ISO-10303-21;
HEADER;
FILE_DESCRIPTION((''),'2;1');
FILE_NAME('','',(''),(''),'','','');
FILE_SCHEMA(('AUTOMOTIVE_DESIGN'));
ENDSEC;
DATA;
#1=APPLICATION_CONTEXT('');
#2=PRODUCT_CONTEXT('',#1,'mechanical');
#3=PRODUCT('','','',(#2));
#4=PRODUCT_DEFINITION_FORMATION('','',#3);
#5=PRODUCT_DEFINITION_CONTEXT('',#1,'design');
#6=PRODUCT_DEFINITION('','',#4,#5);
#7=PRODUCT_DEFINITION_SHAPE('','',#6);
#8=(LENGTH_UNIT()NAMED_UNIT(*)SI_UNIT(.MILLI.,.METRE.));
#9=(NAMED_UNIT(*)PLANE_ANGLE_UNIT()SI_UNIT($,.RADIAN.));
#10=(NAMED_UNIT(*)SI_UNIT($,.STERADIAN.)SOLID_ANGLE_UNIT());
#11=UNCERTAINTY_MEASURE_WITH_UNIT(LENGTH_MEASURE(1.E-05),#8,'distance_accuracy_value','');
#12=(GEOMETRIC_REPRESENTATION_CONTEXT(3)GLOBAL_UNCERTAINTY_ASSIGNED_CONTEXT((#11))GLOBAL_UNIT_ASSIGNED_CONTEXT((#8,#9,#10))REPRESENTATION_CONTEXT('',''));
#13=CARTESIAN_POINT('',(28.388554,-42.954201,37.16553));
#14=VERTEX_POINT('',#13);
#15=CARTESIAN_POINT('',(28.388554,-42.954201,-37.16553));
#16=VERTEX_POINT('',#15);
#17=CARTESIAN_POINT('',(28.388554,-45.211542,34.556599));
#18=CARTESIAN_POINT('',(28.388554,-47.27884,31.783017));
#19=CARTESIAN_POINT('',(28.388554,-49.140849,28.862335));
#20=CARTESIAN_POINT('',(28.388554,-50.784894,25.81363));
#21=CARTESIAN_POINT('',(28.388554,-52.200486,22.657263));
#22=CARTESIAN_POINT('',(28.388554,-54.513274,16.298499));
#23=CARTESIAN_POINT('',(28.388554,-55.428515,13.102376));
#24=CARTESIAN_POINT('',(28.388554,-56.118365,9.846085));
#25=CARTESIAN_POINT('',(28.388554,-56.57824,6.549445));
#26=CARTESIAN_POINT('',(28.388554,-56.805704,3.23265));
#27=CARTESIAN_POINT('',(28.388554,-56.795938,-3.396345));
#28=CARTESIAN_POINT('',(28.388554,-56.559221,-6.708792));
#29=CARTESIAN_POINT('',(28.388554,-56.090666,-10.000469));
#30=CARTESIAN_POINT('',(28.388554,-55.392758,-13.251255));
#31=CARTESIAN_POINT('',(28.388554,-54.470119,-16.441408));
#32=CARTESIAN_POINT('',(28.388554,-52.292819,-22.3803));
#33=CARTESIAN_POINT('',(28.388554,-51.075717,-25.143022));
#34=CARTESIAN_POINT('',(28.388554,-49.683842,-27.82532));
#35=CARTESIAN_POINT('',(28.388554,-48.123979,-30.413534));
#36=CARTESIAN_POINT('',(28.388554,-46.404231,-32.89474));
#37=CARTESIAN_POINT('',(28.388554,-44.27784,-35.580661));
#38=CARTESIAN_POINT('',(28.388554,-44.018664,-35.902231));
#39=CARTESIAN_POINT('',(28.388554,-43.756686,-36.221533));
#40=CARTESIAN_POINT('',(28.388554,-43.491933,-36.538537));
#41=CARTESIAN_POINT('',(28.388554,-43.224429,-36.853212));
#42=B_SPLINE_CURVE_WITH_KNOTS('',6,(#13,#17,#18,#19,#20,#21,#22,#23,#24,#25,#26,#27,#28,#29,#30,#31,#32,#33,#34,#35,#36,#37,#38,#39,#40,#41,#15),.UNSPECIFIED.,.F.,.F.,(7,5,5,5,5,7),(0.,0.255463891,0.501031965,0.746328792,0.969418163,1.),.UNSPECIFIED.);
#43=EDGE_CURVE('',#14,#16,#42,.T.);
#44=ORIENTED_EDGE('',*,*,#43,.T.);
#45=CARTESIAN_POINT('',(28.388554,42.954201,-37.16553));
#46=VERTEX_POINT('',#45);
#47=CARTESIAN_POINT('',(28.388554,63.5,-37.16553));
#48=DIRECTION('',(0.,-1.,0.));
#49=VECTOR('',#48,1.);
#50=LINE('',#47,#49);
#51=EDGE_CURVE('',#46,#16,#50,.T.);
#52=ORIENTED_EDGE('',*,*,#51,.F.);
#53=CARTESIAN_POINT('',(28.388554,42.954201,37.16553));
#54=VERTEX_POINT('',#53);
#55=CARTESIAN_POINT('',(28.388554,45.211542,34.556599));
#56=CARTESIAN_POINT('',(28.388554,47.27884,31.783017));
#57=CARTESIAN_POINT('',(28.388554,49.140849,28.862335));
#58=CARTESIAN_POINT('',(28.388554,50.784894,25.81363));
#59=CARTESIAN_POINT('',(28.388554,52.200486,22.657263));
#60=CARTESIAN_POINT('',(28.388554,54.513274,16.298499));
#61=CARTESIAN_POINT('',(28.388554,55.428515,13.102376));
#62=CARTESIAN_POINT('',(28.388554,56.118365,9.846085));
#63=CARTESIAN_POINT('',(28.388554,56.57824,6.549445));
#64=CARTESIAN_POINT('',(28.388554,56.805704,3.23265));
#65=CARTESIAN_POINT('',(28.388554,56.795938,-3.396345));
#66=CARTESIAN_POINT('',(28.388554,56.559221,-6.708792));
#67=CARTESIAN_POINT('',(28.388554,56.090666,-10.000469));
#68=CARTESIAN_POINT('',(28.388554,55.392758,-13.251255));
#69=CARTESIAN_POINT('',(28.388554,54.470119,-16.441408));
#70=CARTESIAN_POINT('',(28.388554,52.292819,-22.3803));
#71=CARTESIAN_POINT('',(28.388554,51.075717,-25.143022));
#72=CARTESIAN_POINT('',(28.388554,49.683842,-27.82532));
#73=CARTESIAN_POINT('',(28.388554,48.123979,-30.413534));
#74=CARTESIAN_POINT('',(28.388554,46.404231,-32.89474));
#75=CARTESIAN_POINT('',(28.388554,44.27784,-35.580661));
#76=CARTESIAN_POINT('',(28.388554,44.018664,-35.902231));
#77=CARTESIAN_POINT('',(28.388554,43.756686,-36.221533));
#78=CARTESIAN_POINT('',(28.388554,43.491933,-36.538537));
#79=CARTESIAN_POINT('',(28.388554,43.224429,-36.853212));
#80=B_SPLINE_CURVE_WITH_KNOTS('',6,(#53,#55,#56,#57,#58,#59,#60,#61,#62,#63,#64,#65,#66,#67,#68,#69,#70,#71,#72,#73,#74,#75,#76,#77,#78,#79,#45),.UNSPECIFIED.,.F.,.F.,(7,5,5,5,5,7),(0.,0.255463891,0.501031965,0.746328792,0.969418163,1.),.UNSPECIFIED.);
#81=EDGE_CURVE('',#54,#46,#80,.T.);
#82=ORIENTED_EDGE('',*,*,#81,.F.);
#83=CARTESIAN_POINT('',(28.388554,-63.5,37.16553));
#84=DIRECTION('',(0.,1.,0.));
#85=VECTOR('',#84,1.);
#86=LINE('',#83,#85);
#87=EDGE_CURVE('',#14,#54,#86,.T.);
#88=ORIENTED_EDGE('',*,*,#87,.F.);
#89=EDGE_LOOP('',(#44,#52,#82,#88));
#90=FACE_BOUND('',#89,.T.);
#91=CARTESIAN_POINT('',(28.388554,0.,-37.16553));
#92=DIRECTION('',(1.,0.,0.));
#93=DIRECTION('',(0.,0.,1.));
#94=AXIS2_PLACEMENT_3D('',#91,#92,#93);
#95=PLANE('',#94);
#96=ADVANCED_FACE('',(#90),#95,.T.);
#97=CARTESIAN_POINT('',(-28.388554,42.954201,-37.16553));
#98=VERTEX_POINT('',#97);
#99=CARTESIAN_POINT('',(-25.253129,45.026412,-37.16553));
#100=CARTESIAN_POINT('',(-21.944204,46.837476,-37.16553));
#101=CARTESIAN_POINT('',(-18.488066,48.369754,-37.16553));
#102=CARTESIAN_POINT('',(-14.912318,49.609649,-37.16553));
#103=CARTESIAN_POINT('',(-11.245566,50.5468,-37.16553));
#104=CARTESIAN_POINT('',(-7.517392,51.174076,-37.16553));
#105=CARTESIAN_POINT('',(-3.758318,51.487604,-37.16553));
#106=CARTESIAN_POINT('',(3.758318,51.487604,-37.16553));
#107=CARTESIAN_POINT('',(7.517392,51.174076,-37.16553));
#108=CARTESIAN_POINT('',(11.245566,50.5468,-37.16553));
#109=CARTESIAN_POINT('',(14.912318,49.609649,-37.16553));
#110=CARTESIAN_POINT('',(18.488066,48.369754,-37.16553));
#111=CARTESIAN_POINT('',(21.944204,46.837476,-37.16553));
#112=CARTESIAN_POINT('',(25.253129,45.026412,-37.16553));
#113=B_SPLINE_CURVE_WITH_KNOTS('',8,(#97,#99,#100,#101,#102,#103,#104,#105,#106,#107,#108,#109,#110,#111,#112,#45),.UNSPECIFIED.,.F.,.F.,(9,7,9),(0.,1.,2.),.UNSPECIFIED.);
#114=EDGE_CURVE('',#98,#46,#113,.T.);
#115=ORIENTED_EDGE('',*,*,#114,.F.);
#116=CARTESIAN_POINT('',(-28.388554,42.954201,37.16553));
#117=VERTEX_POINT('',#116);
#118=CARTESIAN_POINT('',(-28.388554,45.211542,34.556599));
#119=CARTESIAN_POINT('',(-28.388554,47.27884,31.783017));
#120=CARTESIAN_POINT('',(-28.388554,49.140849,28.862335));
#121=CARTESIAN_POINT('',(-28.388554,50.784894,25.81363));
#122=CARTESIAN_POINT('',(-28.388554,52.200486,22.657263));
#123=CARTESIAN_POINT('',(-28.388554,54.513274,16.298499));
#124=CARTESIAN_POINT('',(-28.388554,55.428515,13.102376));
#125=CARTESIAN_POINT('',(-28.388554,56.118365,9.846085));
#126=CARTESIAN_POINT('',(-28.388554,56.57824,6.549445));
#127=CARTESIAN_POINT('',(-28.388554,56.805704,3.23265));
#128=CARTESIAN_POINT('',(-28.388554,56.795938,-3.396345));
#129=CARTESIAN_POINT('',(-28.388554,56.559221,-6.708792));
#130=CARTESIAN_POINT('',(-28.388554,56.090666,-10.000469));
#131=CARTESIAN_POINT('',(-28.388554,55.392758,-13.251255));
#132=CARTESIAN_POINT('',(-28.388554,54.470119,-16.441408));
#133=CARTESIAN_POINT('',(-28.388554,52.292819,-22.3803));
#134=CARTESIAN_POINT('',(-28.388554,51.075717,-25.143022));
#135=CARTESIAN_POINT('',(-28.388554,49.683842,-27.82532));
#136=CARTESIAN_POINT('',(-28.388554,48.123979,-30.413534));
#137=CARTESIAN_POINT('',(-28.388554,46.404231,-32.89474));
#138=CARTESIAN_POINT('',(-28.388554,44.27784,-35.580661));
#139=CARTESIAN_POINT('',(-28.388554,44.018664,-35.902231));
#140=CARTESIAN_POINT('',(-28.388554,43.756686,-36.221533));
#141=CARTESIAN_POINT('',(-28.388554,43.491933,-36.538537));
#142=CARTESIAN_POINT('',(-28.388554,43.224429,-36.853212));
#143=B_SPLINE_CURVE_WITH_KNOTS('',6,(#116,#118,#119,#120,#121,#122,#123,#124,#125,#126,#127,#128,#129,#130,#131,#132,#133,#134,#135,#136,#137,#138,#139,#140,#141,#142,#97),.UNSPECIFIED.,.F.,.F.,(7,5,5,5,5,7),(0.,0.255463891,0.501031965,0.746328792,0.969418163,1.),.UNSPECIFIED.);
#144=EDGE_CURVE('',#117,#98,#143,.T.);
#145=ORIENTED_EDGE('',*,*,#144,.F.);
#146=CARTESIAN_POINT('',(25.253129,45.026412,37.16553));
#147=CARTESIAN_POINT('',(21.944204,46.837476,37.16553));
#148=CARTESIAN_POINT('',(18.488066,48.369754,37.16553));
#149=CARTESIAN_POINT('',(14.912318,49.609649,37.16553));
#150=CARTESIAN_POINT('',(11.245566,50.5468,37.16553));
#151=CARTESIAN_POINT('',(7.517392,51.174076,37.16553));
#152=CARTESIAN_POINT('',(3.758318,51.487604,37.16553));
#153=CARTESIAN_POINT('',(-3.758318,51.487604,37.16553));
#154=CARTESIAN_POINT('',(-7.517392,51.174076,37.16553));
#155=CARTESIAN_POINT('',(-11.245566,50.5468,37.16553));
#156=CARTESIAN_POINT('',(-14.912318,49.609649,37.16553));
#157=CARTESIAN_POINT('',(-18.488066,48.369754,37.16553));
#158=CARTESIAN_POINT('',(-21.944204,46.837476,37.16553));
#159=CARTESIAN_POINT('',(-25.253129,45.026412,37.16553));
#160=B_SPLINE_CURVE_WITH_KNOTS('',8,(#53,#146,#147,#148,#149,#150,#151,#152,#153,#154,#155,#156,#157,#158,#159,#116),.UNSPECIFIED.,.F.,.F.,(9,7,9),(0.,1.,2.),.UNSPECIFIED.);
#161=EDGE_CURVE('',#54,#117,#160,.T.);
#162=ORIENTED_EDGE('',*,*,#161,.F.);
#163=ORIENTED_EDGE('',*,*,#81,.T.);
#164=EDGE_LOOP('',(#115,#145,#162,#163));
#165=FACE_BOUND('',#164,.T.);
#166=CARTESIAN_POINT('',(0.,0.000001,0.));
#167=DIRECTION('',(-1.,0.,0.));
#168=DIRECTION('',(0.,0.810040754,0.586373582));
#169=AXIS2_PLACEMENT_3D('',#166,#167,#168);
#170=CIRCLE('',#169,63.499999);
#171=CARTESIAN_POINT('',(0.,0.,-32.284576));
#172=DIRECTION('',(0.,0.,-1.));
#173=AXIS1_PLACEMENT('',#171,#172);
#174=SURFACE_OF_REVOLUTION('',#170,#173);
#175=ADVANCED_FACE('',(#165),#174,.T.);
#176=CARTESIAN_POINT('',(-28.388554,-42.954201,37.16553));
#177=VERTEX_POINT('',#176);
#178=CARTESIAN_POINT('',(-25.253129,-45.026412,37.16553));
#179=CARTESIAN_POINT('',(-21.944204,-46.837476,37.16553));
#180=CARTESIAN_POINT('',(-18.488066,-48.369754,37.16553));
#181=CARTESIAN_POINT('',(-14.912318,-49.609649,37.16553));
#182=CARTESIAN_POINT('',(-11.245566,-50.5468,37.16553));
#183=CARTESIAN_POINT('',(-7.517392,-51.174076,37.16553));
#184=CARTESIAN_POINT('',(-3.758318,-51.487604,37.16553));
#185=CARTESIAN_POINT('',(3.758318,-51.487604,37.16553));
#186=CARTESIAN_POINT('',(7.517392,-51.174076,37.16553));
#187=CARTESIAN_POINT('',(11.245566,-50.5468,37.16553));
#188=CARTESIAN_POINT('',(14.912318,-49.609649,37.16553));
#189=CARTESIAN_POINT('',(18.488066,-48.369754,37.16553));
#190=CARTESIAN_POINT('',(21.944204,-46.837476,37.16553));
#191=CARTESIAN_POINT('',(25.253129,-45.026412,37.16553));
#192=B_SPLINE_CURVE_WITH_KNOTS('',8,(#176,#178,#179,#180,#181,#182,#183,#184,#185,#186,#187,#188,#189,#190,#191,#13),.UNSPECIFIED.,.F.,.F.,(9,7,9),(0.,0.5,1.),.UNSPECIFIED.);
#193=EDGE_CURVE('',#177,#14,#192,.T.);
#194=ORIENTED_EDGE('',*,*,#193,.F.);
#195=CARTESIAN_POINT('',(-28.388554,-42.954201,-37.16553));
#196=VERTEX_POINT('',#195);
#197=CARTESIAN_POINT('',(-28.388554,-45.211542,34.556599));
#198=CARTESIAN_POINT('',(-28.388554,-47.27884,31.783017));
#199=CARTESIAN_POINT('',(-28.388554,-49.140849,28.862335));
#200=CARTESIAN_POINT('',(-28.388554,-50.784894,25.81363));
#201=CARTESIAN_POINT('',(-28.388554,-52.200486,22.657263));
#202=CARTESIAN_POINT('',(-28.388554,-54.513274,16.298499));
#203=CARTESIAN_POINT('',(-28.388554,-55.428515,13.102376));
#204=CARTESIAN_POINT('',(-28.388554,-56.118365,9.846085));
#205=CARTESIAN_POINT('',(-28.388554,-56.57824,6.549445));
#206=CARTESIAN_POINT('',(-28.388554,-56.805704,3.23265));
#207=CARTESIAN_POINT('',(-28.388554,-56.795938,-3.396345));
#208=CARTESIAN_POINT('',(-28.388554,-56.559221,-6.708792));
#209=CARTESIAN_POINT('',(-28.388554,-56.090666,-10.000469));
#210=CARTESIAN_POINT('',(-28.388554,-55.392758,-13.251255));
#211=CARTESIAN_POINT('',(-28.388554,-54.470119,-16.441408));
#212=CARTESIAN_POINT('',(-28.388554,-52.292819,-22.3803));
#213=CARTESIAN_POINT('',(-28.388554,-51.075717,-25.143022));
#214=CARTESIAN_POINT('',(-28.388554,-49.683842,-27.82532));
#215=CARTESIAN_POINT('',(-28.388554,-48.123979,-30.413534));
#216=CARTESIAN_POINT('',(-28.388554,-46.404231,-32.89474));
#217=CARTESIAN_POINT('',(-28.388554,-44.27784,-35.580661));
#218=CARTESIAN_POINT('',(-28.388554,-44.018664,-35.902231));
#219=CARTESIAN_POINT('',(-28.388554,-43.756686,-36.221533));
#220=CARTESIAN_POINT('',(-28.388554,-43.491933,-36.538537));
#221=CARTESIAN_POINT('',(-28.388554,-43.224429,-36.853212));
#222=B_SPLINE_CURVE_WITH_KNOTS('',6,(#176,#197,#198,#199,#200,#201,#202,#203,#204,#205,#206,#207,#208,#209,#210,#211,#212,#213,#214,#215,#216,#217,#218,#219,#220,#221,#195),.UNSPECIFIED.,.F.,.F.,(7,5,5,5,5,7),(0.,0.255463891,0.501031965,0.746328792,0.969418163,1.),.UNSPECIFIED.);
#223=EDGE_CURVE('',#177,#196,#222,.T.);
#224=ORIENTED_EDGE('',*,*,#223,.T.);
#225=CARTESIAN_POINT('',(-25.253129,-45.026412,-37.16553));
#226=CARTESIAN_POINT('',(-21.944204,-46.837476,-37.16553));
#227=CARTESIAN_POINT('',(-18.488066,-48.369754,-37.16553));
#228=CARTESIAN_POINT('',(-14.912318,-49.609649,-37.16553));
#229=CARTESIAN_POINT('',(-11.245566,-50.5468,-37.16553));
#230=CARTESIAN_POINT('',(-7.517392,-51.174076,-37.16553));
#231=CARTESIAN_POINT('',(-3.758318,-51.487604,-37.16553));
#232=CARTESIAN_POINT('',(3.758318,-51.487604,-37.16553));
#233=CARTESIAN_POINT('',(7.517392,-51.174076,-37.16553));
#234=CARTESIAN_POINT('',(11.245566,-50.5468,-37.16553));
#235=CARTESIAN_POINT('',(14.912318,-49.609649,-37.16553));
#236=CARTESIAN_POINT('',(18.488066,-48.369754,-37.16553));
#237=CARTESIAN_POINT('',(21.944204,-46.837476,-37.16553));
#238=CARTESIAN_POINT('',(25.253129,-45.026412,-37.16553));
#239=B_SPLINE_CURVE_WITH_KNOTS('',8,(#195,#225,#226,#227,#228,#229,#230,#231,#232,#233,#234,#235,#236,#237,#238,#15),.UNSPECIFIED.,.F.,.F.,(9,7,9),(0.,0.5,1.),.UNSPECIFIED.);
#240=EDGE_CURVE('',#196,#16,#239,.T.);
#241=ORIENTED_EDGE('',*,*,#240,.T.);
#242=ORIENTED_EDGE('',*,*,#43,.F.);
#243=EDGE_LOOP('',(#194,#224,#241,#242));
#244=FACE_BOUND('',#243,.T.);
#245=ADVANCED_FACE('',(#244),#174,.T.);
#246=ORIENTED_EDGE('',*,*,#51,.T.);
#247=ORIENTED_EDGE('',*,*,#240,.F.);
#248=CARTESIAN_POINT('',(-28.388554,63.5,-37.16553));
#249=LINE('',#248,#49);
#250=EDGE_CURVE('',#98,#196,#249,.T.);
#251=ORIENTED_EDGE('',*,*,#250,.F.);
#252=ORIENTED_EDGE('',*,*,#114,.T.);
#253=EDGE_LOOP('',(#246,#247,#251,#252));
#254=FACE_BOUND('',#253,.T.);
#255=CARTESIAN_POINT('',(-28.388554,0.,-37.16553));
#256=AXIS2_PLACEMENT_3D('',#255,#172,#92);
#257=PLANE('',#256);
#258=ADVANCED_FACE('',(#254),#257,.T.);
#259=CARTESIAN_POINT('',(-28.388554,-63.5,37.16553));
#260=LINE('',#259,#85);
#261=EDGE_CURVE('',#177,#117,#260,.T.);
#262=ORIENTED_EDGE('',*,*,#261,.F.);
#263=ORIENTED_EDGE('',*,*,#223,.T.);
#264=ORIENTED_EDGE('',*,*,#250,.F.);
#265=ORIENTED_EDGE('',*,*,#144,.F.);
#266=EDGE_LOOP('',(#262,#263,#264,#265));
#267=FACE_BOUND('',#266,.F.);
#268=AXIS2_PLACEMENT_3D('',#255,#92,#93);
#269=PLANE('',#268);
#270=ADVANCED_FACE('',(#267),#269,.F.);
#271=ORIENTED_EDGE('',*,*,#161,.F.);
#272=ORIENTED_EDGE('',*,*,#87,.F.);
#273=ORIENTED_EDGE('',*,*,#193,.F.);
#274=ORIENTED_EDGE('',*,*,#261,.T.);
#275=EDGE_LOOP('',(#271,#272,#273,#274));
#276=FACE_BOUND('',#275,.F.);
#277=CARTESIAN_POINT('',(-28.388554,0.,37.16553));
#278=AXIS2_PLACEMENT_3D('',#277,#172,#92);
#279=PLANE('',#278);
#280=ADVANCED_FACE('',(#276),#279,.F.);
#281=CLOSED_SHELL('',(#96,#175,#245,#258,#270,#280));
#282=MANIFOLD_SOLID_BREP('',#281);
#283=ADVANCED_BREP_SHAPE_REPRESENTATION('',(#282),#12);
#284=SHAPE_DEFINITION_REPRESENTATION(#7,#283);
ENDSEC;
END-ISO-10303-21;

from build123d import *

# Parameters (mm, degrees)
F0_W     = 56.777108
F0_H     = 74.33106
F1_DEPTH = 63.5


with BuildPart() as f1:
    # F0 (on Front) → F1 (new body, symmetric)
    with BuildSketch(Plane.XZ):
        Rectangle(F0_W, F0_H)
    extrude(amount=F1_DEPTH, both=True)

    # F2 (on Right) → F3 (revolve, cut)
    with BuildSketch(Plane.YZ):
        with BuildLine():
            ThreePointArc((51.437588, 37.234722), (63.5, 0), (51.437588, -37.234722))
            Line((51.437588, -37.234722), (80.734707, -55.344366))
            Line((80.734707, -55.344366), (80.734707, 43.934762))
            Line((80.734707, 43.934762), (51.437588, 37.234722))
        make_face()
    revolve(axis=Axis((0, 0, -32.284576), (0, 0, -1)), mode=Mode.SUBTRACT)


solid = f1.part
